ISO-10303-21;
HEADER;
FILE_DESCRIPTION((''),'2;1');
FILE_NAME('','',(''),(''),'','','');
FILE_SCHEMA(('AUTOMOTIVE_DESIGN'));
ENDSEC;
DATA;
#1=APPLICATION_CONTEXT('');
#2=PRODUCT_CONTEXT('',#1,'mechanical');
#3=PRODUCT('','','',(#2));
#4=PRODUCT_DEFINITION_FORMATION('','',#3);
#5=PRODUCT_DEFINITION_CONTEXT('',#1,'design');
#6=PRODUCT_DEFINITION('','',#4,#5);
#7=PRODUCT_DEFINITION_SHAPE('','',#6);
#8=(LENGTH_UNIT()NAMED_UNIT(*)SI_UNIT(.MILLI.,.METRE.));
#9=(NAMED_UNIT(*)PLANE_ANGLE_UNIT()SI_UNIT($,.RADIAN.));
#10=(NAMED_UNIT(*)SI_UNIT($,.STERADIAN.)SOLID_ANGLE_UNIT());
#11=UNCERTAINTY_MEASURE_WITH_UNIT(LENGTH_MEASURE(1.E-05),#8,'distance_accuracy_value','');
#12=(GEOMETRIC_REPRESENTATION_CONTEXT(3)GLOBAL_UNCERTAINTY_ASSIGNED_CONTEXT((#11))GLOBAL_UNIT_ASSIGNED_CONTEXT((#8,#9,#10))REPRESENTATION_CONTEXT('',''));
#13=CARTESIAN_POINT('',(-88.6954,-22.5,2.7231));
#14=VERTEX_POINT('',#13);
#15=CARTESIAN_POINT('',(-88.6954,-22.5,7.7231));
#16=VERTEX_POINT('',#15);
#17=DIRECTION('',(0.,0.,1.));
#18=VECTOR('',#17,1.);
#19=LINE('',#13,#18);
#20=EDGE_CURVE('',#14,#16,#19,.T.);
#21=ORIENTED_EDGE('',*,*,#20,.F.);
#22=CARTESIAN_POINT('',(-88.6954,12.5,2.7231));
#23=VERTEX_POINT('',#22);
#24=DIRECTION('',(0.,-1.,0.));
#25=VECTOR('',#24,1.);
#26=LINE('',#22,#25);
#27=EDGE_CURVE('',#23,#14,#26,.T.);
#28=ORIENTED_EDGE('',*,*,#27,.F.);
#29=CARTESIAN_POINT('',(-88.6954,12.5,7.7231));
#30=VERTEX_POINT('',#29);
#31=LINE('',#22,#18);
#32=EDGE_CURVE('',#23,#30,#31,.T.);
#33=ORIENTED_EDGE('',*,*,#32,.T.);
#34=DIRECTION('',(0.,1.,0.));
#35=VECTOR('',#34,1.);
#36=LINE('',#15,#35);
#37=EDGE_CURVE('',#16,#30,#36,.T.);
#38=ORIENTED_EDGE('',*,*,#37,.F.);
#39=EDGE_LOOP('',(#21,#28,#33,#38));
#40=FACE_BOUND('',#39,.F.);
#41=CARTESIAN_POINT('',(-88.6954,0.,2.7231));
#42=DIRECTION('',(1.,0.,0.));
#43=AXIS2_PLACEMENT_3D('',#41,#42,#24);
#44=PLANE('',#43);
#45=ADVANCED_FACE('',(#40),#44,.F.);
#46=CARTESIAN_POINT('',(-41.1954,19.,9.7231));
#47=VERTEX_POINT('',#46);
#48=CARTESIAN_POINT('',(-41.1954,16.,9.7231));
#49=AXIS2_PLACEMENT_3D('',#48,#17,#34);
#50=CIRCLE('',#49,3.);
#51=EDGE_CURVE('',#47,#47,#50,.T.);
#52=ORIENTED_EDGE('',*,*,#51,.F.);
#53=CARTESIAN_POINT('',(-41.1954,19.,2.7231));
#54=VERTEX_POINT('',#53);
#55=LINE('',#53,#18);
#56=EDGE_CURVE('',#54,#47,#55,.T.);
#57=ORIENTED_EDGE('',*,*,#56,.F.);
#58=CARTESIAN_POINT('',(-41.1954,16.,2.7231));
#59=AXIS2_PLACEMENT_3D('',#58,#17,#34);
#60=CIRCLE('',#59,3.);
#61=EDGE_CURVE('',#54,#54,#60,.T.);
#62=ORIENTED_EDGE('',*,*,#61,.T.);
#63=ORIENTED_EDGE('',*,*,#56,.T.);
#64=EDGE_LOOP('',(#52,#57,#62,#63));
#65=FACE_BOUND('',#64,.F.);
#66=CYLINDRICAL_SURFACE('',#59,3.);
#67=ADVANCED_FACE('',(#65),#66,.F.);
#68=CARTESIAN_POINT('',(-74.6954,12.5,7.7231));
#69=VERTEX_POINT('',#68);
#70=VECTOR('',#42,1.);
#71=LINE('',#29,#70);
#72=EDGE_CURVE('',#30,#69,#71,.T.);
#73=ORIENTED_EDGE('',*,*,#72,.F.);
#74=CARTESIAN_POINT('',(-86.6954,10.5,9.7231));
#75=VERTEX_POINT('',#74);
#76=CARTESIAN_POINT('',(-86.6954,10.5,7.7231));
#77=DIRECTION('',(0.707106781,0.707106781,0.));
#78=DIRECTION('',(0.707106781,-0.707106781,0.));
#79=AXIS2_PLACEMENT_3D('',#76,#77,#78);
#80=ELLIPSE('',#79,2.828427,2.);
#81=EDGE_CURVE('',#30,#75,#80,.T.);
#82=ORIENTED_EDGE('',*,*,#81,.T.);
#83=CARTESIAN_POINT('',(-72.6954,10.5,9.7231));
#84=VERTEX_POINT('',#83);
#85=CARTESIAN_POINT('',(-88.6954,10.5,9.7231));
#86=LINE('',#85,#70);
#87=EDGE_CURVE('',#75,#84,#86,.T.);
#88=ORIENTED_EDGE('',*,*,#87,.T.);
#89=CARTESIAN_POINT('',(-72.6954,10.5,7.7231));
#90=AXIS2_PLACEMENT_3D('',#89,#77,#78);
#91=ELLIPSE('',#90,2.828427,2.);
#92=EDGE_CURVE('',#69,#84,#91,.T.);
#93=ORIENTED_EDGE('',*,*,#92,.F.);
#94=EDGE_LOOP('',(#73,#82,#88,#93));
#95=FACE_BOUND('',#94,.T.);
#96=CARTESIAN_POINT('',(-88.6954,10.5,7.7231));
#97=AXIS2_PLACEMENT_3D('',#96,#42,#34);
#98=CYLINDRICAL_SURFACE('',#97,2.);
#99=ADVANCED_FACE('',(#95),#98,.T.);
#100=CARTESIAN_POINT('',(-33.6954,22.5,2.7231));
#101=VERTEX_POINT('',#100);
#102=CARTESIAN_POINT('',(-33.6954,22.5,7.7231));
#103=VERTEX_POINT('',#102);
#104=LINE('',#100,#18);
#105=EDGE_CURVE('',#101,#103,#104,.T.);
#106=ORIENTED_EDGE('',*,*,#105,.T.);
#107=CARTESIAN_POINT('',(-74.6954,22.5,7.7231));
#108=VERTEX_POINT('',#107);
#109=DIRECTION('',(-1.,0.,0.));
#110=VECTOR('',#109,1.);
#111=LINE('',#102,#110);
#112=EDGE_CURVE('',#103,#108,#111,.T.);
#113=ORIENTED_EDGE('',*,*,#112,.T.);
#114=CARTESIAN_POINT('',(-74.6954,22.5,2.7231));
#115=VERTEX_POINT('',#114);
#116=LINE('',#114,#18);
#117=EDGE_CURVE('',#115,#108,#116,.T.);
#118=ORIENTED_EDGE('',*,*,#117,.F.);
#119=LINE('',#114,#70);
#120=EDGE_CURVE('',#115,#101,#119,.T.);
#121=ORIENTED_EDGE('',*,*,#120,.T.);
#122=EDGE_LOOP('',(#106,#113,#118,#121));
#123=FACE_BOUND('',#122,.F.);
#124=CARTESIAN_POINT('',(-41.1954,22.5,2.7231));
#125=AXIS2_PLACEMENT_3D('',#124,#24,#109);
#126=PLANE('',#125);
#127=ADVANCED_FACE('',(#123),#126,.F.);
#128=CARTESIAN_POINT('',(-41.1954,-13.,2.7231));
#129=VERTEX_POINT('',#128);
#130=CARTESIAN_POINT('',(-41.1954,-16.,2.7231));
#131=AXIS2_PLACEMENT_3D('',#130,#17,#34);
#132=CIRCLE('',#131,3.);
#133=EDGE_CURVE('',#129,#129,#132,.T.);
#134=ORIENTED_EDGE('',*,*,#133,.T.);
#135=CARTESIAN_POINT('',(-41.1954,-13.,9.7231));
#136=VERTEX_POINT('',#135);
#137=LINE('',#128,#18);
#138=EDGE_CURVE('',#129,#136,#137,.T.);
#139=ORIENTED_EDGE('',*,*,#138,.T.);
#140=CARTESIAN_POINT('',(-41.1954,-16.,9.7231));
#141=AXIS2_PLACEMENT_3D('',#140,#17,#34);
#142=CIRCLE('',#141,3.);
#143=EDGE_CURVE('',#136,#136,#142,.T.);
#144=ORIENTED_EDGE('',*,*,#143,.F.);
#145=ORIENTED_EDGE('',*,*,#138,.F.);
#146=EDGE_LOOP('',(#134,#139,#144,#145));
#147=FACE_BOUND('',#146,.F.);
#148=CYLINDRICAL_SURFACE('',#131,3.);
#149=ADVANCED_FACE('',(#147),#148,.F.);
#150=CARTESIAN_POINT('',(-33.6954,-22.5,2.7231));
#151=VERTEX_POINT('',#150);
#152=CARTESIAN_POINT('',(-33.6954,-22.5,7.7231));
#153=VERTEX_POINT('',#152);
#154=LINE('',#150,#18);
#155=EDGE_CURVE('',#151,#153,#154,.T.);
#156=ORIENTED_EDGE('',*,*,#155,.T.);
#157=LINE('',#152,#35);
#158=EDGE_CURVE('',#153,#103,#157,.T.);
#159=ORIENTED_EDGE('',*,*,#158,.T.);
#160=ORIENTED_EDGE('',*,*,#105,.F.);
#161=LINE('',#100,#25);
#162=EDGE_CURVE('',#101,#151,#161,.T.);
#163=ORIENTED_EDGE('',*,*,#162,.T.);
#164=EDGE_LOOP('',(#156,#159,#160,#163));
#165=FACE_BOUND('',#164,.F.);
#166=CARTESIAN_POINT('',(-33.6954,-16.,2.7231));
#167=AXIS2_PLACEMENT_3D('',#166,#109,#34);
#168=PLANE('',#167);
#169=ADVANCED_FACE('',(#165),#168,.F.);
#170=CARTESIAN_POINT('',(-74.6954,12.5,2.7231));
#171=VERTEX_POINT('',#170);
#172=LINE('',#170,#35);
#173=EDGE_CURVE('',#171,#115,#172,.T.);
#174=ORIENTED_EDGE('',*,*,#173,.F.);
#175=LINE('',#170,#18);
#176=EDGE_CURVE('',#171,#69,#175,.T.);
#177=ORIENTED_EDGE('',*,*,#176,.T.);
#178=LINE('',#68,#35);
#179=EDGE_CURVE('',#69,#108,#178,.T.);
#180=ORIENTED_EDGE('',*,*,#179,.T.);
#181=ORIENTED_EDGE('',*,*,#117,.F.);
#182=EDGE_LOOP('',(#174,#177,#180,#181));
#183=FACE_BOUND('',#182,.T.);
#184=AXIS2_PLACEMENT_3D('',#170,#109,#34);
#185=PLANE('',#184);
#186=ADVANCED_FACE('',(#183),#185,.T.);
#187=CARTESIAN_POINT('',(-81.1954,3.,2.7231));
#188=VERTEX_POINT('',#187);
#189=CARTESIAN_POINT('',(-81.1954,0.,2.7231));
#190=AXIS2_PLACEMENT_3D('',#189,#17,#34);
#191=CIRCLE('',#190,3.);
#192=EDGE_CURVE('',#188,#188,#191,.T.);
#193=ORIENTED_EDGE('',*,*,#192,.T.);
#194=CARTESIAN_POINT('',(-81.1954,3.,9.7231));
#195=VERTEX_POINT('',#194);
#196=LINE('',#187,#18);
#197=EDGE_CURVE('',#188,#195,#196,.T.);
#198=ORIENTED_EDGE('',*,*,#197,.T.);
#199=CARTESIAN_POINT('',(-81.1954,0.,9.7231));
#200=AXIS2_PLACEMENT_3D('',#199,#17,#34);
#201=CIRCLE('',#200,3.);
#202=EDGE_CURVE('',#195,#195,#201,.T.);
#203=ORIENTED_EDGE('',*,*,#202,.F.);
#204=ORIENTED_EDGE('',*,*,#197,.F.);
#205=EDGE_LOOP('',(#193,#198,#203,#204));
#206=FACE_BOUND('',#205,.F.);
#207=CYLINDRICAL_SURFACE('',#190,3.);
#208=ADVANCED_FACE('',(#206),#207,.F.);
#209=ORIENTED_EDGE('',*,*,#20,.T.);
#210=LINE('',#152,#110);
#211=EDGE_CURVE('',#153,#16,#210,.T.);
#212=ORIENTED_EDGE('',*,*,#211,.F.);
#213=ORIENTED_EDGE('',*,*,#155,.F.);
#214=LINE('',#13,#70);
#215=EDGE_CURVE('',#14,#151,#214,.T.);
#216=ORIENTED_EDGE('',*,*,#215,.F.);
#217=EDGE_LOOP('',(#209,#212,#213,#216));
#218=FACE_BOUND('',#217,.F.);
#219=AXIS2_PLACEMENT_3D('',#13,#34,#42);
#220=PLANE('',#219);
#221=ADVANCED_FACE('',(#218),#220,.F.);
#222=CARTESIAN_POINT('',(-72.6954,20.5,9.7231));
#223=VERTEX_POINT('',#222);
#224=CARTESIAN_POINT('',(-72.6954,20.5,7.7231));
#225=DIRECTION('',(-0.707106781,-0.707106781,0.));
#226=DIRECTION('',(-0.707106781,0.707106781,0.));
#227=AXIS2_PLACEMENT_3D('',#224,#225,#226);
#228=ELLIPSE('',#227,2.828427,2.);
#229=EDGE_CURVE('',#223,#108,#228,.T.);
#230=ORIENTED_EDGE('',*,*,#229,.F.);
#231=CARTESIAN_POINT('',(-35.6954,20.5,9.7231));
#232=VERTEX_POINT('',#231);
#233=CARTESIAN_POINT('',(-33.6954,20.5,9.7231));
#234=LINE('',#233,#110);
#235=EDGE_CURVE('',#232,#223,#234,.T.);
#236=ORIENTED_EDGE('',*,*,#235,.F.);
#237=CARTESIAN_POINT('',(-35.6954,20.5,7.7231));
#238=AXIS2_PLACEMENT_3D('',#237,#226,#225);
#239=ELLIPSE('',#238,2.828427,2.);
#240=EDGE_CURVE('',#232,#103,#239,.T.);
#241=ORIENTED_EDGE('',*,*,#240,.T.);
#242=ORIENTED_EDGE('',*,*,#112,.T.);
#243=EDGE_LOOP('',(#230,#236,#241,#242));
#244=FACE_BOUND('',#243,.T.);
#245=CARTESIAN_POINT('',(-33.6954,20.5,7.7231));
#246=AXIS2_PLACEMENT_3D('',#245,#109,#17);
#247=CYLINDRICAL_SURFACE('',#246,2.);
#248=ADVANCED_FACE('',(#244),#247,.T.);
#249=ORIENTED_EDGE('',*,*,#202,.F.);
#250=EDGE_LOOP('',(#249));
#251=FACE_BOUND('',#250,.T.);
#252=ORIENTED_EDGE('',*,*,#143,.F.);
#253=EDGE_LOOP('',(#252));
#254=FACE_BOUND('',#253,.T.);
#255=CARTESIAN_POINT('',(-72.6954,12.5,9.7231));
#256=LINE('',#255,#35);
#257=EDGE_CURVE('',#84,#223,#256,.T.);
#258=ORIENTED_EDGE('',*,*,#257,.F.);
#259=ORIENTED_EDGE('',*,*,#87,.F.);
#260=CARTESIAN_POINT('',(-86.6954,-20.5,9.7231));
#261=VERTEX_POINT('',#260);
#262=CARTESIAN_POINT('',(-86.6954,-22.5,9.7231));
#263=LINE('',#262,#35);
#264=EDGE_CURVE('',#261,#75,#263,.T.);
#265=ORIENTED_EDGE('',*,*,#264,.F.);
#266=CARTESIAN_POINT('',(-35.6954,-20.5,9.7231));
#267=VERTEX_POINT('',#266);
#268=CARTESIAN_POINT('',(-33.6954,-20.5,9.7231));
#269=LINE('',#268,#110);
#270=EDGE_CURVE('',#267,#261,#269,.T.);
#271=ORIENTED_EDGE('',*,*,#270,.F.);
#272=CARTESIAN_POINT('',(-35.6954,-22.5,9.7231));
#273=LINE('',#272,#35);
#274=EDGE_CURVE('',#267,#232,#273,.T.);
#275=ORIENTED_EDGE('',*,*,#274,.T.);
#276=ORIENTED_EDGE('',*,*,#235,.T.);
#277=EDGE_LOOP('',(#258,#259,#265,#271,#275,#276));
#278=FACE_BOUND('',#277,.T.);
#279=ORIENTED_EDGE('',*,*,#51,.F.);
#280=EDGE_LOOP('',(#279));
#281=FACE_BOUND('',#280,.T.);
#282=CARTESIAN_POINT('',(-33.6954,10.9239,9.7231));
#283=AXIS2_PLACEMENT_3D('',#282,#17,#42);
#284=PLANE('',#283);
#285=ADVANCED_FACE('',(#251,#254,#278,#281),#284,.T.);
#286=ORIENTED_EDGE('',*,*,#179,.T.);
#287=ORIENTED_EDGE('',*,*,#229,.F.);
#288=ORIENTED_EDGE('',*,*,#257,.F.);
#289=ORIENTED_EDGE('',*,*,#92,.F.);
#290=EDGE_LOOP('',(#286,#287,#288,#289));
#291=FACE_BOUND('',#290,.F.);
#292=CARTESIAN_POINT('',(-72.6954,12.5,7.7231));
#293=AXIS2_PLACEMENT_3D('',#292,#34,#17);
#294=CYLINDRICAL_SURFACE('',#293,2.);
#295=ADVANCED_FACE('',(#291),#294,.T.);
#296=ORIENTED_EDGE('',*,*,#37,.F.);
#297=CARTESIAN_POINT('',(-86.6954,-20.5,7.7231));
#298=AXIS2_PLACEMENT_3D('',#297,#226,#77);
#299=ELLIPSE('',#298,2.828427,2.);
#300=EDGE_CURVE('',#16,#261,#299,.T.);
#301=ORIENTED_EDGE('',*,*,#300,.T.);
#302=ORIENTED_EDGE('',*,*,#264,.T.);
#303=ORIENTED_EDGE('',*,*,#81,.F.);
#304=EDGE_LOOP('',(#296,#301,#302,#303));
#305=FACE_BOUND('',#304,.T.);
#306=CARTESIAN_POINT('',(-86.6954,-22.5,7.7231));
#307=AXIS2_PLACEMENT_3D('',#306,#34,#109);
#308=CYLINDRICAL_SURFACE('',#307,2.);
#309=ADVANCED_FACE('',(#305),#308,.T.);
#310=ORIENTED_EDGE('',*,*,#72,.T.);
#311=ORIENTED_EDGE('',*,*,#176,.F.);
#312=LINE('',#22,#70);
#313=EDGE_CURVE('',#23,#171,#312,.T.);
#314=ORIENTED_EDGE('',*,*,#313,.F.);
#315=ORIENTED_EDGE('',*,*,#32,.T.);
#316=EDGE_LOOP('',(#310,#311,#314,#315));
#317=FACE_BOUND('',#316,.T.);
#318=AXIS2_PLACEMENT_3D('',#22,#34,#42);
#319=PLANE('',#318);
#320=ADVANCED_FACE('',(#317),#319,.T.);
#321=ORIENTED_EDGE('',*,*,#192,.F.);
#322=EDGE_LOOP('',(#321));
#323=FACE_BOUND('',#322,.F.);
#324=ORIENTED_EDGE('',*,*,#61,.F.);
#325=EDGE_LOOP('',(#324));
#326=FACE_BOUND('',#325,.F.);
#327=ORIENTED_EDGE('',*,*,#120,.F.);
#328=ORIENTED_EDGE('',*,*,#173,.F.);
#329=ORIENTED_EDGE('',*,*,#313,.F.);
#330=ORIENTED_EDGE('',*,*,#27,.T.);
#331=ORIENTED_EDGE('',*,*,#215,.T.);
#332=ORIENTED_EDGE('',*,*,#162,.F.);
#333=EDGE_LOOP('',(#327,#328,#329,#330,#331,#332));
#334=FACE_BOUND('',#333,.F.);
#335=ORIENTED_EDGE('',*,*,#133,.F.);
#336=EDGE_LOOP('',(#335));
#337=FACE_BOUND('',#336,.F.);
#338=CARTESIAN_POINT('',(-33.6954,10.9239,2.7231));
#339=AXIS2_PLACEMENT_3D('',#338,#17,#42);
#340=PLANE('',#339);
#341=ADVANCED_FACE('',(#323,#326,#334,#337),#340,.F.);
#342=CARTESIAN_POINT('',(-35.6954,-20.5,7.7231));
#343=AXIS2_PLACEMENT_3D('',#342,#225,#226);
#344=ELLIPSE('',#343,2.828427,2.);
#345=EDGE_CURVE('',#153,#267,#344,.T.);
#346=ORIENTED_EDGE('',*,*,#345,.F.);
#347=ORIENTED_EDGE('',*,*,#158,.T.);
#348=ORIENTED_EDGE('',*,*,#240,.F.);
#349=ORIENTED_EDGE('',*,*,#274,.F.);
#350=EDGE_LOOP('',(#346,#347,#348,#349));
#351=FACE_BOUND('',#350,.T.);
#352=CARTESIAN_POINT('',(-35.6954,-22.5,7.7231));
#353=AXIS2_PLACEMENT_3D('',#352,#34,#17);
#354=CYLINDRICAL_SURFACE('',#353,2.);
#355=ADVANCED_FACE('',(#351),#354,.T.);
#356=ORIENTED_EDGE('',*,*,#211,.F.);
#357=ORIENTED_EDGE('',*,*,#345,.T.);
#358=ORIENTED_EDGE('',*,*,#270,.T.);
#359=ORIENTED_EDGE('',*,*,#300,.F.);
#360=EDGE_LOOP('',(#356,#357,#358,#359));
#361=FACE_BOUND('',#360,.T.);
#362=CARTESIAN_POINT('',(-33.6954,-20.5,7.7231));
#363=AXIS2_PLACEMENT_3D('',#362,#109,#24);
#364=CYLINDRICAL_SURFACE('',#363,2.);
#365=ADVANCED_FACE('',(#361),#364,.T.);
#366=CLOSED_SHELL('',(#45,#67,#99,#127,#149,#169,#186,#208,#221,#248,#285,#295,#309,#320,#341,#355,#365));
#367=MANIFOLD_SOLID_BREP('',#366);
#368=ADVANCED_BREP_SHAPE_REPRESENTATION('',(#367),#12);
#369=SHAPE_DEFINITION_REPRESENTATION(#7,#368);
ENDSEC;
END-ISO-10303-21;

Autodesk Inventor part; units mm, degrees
ref_plane "YZ Plane" through (0, 0, 0) normal (1, 0, 0) x (0, 1, 0)
ref_plane "XZ Plane" through (0, 0, 0) normal (0, 1, 0) x (-1, 0, 0)
ref_plane "XY Plane" through (0, 0, 0) normal (0, 0, 1) x (1, 0, 0)
ref_plane "Work Plane1" through (55, -70.0761, -12.5) normal (1, 0, 0) x (0, 0, -1)
ref_plane "Work Plane2" through (-33.6954, 10.9239, 2.7231) normal (0, 0, 1) x (1, 0, 0)
sketch "Sketch2" plane through (-33.6954, 10.9239, 2.7231) normal (0, 0, 1) x (1, 0, 0)
  line L0 (-55, -33.4239) -> (0, -33.4239)
  line L1 (0, -33.4239) -> (0, 11.5761)
  line L2 (0, 11.5761) -> (-55, 11.5761)
  line L3 (-55, 11.5761) -> (-55, -33.4239)
  line L4 (-55, 1.5761) -> (-41, 1.5761)
  line L5 (-41, 1.5761) -> (-41, 11.5761)
  line L6 (-7.5, -26.9239) -> (-7.5, -33.4239)
  line L7 (-7.5, 5.0761) -> (-7.5, 11.5761)
  line L8 (-7.5, -26.9239) -> (0, -26.9239)
  line L9 (-47.5, -10.9239) -> (-55, -10.9239)
  point P0 (-27.5, 11.5761)
  dimension "d4" = 55
  dimension "d5" = 45
  dimension "d10" = 14
  dimension "d11" = 10
  dimension "d14" = 40
  dimension "d15" = 32
  dimension "d23" = 16
extrude "Extrusion1" add sketch "Sketch2" along normal blind 7 contours L3 L4 L5 L2 L1 L8 L6 L0 | L6 L8 L1 L0
hole "Hole1" at (-41.1954, -16, 2.7231) at (-41.1954, 16, 2.7231) at (-81.1954, 0, 2.7231) direction (0, 0, 1) diameter 6 end through all
fillet "Fillet1" radius 2 6 edges at (-81.6954, 12.5, 9.7231) (-88.6954, -5, 9.7231) (-74.6954, 17.5, 9.7231) (-54.1954, 22.5, 9.7231) (-61.1954, -22.5, 9.7231) (-33.6954, 0, 9.7231)
properties part number "Print-head_Mount"
